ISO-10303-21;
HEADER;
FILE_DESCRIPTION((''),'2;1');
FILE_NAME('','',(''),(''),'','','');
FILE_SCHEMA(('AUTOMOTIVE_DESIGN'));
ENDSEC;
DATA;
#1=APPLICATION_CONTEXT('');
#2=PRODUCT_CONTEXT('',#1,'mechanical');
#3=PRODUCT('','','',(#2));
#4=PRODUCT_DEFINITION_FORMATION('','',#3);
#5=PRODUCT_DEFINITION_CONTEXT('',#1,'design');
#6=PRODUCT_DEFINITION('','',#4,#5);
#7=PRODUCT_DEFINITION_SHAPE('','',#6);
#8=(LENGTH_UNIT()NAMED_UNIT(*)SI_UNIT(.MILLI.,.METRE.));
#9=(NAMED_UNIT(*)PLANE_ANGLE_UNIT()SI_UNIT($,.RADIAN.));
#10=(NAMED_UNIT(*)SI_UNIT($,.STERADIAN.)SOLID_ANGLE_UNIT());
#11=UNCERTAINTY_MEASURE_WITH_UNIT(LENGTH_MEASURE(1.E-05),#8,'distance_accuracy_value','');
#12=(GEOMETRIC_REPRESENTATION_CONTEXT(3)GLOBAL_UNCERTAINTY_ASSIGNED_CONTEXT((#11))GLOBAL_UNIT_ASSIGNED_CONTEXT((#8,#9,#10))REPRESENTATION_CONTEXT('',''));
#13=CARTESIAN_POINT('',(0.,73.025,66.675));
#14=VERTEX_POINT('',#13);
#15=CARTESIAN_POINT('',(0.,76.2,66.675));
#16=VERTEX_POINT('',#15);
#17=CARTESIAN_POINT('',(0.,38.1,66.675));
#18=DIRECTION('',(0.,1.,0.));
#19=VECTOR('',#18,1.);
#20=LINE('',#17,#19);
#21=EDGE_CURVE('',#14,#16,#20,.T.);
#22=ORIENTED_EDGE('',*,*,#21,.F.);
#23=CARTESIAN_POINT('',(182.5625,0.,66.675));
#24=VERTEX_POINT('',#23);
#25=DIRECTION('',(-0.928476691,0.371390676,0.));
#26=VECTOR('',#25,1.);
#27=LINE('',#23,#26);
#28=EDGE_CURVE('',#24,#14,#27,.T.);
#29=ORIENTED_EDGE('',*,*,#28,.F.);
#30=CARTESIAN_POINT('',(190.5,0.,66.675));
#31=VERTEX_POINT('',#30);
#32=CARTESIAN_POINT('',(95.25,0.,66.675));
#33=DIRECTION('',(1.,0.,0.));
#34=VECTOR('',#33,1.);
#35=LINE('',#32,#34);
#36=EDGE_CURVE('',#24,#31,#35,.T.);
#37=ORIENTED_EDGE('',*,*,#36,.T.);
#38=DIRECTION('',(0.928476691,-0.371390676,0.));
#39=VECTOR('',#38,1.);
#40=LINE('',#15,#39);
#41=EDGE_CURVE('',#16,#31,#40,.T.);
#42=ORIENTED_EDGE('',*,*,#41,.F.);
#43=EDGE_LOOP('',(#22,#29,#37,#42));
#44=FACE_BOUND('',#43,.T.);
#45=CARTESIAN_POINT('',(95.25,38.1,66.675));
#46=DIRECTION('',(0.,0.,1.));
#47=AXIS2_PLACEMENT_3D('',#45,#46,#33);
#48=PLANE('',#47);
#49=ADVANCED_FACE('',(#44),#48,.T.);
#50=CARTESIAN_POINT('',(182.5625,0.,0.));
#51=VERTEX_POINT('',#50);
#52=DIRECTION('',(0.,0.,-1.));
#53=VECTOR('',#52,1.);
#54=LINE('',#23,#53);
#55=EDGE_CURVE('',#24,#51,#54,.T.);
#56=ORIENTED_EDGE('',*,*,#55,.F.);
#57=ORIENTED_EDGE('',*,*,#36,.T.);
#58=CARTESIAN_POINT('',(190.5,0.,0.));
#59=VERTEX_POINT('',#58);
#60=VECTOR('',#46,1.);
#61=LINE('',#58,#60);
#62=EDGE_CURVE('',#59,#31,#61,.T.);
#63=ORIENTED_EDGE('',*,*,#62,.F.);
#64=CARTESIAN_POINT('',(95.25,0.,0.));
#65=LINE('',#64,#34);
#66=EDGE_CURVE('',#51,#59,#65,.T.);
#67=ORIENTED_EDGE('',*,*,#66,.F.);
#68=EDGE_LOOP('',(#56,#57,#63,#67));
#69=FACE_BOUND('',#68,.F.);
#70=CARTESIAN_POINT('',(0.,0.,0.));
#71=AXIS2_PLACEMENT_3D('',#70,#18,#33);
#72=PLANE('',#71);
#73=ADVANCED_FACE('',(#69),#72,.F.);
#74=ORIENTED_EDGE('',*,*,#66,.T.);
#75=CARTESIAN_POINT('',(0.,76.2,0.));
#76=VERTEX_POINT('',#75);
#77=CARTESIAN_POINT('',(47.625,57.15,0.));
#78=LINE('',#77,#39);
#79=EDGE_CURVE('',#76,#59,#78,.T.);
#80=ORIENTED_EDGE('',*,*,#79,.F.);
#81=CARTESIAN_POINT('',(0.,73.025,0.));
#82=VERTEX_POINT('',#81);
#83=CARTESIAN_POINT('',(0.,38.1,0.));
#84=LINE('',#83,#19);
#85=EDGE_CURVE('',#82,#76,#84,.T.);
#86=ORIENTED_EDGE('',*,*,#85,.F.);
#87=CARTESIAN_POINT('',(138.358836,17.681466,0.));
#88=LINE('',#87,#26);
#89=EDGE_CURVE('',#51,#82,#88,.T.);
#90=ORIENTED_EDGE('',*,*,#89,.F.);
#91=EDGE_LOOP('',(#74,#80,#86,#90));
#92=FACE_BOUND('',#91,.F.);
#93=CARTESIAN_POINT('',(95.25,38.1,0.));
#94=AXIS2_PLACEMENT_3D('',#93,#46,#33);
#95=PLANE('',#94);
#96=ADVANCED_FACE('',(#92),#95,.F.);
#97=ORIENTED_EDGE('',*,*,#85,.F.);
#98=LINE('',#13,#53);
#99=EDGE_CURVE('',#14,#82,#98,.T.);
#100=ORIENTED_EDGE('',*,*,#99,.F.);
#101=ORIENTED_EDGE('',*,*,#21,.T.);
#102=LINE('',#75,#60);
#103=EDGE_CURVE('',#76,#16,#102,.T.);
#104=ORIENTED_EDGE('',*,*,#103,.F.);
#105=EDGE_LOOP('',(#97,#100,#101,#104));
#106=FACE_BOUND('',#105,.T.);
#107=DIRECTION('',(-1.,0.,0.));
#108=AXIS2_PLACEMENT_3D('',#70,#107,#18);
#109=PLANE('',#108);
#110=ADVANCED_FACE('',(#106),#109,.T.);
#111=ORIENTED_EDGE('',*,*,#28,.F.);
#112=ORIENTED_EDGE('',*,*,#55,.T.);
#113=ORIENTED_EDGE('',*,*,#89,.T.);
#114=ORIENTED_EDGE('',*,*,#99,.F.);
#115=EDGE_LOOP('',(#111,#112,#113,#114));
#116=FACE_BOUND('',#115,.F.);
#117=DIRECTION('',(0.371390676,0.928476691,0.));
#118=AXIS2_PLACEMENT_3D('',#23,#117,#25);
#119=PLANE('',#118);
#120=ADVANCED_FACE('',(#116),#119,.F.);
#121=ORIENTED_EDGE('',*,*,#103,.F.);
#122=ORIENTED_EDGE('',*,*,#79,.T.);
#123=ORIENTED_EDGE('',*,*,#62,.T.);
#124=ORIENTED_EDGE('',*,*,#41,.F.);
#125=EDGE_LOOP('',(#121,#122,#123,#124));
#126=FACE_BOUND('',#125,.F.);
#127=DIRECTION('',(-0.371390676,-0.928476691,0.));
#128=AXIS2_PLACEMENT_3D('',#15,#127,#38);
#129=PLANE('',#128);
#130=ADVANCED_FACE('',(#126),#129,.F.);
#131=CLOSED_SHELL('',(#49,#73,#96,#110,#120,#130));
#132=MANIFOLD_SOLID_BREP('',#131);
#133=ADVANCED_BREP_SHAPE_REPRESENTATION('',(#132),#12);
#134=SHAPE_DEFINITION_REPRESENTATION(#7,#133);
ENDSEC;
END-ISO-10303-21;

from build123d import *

# Parameters (mm, degrees)
F0_W     = 190.5
F0_H     = 76.2
F1_DEPTH = 66.675
F3_DEPTH = 76.2
F5_DEPTH = 76.2


with BuildPart() as f1:
    # F0 (on Top) → F1 (new body)
    with BuildSketch(Plane.XY):
        with Locations((95.25, 38.1)):
            Rectangle(F0_W, F0_H)
    extrude(amount=F1_DEPTH)

    # F2 (on face) → F3 (cut)
    with BuildSketch(Plane.XY.offset(66.675)):
        Polygon((0, 76.2), (190.5, 0), (190.5, 76.2), align=None)
    extrude(amount=-F3_DEPTH, mode=Mode.SUBTRACT)

    # F4 (on face) → F5 (cut)
    with BuildSketch(Plane.XY.offset(66.675)):
        Polygon((182.5625, 0), (0, 73.025), (0, 0), align=None)
    extrude(amount=-F5_DEPTH, mode=Mode.SUBTRACT)


solid = f1.part
